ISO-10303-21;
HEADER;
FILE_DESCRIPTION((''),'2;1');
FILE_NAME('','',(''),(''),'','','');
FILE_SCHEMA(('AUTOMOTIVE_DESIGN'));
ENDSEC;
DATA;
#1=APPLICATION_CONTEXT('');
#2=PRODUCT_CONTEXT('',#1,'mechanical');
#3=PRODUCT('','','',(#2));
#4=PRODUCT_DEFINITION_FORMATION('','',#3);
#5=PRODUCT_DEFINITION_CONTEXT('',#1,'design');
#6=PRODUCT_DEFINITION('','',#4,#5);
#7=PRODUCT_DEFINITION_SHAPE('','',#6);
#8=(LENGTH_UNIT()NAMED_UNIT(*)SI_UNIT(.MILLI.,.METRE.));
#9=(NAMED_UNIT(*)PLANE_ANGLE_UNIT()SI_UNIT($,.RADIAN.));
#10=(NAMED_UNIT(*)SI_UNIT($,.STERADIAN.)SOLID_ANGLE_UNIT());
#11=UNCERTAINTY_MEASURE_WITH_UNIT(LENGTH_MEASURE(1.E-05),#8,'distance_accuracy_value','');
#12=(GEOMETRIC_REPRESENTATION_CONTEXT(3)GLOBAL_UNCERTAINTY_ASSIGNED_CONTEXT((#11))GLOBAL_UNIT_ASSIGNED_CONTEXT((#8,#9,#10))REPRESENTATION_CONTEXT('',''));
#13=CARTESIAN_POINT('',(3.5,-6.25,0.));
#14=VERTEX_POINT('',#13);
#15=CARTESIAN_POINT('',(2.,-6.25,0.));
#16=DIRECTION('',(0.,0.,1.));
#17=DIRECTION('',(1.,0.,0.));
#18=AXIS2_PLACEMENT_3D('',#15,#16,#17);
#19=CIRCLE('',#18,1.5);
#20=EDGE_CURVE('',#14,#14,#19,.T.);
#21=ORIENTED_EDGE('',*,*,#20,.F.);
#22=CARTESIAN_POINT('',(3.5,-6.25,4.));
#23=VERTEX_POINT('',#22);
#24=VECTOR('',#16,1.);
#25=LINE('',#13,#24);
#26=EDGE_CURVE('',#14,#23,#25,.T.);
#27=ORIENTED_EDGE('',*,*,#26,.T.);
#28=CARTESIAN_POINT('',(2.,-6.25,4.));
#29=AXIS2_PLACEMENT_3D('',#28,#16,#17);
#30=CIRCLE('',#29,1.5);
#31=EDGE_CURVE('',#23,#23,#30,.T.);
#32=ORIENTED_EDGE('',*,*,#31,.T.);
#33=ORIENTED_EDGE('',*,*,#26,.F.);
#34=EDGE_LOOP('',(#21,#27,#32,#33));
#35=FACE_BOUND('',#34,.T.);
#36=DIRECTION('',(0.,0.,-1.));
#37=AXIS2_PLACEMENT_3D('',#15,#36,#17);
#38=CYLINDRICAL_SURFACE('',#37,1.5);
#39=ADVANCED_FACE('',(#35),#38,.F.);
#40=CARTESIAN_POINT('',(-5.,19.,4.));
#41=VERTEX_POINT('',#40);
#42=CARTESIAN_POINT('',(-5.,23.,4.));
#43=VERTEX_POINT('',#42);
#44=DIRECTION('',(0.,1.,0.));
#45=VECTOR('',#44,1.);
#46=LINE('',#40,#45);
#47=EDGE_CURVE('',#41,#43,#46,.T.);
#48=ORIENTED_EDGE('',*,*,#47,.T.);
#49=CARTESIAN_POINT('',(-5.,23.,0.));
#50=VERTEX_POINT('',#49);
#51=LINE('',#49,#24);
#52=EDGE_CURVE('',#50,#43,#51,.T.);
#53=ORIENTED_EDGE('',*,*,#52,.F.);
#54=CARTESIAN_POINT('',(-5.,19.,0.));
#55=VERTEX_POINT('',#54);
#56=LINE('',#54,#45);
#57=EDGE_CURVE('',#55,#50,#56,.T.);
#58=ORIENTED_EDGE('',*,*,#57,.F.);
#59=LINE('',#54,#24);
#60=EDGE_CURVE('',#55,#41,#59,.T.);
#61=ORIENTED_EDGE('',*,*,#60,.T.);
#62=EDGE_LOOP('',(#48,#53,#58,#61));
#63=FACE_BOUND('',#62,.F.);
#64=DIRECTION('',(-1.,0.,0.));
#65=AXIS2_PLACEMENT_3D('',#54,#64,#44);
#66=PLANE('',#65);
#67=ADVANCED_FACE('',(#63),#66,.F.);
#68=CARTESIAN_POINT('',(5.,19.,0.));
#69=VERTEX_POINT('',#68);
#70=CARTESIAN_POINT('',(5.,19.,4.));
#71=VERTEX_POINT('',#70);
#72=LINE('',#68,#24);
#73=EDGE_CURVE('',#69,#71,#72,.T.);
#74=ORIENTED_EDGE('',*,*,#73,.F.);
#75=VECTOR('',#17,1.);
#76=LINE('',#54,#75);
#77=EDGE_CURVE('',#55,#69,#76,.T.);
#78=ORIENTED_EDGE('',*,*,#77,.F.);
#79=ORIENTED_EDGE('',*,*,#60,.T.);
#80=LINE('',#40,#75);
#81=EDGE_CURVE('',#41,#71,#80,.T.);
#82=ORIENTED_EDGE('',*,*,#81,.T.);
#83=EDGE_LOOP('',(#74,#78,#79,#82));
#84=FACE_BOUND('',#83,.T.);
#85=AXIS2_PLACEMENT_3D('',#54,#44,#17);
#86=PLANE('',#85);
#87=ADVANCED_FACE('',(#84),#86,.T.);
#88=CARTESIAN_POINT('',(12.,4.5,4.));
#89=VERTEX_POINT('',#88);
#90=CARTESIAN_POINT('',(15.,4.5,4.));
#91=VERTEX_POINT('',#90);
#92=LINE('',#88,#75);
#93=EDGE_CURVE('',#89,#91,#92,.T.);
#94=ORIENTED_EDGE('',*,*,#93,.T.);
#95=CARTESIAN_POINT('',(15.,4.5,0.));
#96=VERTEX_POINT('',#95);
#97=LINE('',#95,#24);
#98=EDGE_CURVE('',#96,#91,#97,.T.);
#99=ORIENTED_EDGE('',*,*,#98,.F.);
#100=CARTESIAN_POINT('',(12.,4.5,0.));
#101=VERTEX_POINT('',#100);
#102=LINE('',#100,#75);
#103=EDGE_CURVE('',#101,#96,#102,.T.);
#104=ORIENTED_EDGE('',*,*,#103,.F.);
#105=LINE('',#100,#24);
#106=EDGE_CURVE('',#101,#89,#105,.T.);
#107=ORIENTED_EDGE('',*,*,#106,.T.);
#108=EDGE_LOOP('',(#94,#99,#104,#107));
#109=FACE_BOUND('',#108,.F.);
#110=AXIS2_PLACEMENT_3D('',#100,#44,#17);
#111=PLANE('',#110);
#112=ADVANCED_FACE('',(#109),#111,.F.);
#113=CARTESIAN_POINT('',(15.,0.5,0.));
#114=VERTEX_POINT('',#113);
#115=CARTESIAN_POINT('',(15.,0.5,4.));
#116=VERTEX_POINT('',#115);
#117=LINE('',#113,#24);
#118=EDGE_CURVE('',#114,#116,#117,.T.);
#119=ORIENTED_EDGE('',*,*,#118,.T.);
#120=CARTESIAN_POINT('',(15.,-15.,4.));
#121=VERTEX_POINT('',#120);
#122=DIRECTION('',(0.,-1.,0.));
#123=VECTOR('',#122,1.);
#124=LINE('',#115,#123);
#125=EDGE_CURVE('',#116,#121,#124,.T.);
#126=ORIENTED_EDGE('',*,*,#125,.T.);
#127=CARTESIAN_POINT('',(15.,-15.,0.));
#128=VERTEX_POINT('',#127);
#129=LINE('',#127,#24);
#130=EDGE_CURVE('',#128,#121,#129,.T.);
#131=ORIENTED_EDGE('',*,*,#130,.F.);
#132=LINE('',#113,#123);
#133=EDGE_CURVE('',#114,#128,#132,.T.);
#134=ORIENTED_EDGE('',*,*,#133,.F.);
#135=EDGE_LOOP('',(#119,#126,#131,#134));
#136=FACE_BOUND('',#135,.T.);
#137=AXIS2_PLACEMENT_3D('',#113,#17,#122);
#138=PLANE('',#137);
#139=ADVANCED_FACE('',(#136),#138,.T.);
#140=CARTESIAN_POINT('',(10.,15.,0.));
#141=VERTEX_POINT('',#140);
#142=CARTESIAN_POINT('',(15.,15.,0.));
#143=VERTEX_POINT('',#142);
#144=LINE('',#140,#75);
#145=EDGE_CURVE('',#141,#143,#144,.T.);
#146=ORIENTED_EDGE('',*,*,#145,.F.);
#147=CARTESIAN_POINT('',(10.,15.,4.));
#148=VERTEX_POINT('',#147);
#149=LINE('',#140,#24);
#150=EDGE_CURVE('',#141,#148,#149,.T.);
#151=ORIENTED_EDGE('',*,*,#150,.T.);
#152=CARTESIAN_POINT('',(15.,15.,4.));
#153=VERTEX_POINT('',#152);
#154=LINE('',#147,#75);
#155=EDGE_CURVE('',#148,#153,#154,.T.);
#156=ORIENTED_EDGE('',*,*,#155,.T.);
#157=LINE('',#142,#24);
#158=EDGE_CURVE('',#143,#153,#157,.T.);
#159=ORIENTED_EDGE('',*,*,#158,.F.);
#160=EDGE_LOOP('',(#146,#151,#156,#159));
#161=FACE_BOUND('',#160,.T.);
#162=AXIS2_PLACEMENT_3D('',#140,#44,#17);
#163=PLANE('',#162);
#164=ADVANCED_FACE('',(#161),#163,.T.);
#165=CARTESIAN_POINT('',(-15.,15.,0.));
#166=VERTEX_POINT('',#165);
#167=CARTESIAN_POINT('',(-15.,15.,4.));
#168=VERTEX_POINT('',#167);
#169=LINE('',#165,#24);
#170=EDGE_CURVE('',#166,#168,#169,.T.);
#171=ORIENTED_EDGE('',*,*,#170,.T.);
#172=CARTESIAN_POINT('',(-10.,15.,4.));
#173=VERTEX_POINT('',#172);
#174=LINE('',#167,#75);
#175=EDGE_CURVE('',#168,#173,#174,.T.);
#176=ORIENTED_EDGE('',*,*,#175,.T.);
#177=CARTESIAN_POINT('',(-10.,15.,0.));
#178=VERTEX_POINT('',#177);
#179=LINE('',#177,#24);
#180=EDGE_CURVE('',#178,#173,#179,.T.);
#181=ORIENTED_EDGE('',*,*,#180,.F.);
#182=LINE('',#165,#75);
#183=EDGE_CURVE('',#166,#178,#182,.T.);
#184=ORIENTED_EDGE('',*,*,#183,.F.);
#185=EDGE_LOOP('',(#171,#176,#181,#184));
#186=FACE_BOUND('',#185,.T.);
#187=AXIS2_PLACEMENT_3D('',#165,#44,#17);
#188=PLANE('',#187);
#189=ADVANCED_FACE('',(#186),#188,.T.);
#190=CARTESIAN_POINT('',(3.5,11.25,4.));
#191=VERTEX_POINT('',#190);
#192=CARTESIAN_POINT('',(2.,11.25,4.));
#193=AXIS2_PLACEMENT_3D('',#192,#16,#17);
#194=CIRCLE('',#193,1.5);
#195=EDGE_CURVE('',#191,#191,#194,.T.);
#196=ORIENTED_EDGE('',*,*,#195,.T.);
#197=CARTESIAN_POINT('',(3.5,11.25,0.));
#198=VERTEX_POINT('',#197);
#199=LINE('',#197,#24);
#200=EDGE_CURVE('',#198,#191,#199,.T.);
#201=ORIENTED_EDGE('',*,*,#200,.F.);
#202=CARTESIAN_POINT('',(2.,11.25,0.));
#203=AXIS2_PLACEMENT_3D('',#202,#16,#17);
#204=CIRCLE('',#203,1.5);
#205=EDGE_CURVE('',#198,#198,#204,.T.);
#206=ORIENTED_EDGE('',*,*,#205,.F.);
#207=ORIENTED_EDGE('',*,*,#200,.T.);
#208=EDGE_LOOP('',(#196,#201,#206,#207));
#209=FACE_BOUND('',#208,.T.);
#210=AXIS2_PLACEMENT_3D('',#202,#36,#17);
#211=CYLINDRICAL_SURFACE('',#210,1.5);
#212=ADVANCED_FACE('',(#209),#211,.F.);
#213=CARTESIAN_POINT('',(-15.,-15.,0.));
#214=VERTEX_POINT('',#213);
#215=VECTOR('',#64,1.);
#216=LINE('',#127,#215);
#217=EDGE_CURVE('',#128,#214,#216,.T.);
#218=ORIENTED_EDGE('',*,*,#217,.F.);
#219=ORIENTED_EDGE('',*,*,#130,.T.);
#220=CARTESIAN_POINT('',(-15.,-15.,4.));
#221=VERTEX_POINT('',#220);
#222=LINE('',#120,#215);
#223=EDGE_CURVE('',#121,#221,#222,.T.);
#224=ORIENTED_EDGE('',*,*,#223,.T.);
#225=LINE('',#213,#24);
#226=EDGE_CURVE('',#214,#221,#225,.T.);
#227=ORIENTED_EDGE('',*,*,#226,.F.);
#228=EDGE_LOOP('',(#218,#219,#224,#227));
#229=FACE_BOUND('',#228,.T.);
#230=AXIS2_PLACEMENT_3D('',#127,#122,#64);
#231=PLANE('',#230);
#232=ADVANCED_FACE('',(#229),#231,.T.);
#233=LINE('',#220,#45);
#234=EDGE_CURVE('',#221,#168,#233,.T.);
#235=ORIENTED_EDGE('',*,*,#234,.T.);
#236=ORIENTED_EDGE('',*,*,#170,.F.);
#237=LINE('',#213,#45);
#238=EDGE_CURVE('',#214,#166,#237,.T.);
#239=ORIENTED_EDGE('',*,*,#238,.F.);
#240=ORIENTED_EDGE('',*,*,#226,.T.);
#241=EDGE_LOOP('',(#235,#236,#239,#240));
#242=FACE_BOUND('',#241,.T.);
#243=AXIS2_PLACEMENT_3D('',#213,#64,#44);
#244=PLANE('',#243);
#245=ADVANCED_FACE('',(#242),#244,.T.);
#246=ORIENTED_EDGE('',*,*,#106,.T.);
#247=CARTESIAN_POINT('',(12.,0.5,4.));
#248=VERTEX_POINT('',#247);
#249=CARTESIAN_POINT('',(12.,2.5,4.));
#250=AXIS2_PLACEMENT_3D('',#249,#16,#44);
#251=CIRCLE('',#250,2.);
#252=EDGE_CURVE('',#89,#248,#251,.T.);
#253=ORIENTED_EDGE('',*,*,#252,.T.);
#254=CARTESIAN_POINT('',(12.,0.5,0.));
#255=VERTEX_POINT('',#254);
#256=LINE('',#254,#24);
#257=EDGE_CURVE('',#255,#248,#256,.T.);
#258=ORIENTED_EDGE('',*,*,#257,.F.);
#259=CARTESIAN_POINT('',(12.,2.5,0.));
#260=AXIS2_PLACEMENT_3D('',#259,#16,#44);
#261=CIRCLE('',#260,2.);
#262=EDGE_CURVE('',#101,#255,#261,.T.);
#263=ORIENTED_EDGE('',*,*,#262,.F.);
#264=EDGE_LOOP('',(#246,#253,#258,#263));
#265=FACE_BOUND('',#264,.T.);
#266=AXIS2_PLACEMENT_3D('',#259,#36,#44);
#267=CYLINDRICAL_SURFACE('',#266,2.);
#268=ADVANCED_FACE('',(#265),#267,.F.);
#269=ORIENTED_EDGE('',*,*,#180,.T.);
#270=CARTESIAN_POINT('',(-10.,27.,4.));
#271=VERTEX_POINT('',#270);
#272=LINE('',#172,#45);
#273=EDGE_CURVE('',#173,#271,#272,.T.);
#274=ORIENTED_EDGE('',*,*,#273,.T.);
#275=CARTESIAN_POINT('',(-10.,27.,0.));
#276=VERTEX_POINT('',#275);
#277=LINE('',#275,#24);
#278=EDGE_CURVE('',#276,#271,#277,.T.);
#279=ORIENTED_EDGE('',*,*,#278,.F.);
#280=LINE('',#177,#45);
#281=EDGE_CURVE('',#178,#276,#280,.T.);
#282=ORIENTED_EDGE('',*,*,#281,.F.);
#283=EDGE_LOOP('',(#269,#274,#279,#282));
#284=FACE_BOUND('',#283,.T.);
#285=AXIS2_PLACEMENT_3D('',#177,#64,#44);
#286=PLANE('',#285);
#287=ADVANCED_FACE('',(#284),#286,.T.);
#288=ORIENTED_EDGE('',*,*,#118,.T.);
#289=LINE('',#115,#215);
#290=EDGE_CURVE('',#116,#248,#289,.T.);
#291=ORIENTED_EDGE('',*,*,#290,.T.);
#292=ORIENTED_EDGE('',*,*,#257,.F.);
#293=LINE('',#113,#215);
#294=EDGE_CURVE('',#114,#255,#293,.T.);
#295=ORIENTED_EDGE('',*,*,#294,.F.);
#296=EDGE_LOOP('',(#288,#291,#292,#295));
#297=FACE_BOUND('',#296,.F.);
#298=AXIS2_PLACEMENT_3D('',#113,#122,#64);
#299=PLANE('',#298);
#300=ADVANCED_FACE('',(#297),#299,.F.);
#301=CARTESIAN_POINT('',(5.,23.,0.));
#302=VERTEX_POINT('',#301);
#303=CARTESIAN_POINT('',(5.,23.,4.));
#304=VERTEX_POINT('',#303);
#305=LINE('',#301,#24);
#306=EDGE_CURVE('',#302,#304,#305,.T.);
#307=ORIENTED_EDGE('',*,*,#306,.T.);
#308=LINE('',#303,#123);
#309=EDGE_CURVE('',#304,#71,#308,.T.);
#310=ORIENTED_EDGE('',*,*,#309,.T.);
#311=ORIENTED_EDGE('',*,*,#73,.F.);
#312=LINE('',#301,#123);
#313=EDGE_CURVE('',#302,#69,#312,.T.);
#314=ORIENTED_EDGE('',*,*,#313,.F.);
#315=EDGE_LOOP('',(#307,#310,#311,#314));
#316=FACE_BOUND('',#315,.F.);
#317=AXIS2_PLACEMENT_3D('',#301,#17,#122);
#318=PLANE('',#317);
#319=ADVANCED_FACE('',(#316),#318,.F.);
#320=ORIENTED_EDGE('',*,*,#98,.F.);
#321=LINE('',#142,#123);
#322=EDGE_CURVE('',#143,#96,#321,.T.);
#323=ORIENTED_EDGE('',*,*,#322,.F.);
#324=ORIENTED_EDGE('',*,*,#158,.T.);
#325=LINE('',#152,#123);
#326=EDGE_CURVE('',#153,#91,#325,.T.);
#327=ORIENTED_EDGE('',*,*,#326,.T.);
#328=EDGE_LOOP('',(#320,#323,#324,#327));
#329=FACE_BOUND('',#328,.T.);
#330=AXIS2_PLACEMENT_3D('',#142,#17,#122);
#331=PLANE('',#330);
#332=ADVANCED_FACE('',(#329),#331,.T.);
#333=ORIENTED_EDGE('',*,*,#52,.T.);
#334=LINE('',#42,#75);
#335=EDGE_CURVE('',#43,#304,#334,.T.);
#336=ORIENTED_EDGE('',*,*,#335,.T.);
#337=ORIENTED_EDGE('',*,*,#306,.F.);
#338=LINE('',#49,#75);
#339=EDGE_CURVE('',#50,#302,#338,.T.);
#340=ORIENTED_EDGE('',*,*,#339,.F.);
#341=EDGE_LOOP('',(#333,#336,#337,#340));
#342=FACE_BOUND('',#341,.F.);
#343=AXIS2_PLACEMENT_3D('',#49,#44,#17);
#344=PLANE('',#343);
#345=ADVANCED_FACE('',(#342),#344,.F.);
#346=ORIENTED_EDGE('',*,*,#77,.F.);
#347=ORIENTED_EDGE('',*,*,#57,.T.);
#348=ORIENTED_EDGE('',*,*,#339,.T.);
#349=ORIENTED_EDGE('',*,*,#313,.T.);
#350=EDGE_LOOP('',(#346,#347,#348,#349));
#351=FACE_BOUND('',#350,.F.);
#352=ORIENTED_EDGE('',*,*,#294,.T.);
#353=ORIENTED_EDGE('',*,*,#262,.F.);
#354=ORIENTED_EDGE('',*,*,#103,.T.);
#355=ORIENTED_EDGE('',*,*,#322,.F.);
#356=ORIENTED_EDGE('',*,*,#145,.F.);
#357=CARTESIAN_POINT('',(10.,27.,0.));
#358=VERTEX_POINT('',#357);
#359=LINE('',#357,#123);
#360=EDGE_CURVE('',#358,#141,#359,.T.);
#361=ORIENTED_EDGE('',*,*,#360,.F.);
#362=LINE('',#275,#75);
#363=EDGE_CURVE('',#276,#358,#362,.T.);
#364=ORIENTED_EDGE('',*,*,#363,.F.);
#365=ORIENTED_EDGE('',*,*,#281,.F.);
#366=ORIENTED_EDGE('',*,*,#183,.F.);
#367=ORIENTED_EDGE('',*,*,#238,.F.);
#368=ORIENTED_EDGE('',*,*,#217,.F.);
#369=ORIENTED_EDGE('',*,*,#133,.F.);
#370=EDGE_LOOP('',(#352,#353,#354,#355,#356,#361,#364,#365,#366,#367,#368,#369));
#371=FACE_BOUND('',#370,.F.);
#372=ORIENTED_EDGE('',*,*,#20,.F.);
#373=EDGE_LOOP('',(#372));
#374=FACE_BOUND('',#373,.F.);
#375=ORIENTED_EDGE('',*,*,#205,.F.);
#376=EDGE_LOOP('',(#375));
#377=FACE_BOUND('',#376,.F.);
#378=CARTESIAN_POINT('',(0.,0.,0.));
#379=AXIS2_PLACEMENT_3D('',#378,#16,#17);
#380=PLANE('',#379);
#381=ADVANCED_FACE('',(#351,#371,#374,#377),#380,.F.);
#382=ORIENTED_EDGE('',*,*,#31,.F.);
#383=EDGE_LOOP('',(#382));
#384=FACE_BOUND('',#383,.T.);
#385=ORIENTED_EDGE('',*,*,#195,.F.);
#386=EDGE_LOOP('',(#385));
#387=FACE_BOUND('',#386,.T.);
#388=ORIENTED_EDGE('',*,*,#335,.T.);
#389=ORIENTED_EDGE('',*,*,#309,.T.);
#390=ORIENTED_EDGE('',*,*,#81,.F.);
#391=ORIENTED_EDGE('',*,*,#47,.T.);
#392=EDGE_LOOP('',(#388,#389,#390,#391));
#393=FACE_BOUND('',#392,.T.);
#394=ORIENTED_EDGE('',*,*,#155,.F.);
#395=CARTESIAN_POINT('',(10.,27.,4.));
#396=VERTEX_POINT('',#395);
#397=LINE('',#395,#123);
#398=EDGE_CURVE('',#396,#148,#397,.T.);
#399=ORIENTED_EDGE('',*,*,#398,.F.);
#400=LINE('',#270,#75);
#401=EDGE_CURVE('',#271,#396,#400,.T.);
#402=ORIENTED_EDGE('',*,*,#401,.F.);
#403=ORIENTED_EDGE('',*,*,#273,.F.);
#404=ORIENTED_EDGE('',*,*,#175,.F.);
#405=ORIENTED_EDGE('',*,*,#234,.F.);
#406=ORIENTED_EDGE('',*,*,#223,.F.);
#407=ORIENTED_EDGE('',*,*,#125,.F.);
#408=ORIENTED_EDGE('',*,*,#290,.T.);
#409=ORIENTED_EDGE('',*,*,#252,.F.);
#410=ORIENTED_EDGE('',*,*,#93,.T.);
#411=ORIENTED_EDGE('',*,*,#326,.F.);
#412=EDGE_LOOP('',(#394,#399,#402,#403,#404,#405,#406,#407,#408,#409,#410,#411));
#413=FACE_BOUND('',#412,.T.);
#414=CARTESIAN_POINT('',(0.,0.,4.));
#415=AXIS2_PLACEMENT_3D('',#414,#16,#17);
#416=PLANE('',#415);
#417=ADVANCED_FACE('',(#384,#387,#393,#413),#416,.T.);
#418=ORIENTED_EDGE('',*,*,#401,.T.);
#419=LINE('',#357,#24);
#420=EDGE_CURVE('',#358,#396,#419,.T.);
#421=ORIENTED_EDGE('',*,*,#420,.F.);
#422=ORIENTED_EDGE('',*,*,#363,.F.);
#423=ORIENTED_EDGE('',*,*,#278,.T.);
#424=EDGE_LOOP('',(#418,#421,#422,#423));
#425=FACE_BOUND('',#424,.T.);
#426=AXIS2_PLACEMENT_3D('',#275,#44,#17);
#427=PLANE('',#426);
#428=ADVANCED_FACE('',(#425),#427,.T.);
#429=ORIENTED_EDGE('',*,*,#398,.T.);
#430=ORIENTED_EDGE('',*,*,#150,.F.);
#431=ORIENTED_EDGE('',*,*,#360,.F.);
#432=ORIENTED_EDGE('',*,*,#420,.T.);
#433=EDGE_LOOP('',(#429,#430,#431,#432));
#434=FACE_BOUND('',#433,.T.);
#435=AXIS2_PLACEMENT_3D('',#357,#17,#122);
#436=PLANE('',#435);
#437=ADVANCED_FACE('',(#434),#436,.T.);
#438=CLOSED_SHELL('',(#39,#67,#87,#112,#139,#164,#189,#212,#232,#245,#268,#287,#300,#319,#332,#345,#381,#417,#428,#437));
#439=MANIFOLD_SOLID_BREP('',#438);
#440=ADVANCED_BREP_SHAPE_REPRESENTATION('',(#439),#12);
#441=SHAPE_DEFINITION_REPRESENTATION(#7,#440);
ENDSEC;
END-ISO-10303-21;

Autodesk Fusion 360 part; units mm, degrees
sketch "Sketch1" plane through (0, 0, 0) normal (0, 0, 1) x (1, 0, 0)
  line L0 (15, -15) -> (-15, -15)
  line L1 (-15, -15) -> (-15, 15)
  line L2 (-10, 15) -> (-10, 27)
  line L3 (-10, 27) -> (10, 27)
  line L4 (10, 27) -> (10, 15)
  line L5 (-5, 19) -> (-5, 23)
  line L6 (-5, 23) -> (5, 23)
  line L7 (5, 23) -> (5, 19)
  line L8 (-15, 15) -> (-10, 15)
  line L9 (10, 15) -> (15, 15)
  line L10 (0, 70) -> (0, -30) construction
  line L11 (15, 0.5) -> (12, 0.5)
  line L12 (12, 4.5) -> (15, 4.5)
  arc A0 (12, 4.5) -> (12, 0.5) centre (12, 2.5) ccw
  line L13 (15, 15) -> (15, 4.5)
  line L14 (15, 0.5) -> (15, -15)
  circle A1 centre (2, 11.25) radius 1.5
  circle A2 centre (2, -6.25) radius 1.5
  line L15 (-5, 19) -> (5, 19)
  dimension "d1" = 30
  dimension "d3" = 12
  dimension "d4" = 20
  dimension "d7" = 4
  dimension "d8" = 10
  dimension "d9" = 42
  dimension "d17" = 12.5
  dimension "d18" = 2
  dimension "d21" = 17.5
  dimension "d22" = 3
  dimension "d23" = 3
  dimension "d24" = 10
  dimension "d25" = 3
  dimension "d29" = 4
extrude "Extrude1" add sketch "Sketch1" along normal blind 4
